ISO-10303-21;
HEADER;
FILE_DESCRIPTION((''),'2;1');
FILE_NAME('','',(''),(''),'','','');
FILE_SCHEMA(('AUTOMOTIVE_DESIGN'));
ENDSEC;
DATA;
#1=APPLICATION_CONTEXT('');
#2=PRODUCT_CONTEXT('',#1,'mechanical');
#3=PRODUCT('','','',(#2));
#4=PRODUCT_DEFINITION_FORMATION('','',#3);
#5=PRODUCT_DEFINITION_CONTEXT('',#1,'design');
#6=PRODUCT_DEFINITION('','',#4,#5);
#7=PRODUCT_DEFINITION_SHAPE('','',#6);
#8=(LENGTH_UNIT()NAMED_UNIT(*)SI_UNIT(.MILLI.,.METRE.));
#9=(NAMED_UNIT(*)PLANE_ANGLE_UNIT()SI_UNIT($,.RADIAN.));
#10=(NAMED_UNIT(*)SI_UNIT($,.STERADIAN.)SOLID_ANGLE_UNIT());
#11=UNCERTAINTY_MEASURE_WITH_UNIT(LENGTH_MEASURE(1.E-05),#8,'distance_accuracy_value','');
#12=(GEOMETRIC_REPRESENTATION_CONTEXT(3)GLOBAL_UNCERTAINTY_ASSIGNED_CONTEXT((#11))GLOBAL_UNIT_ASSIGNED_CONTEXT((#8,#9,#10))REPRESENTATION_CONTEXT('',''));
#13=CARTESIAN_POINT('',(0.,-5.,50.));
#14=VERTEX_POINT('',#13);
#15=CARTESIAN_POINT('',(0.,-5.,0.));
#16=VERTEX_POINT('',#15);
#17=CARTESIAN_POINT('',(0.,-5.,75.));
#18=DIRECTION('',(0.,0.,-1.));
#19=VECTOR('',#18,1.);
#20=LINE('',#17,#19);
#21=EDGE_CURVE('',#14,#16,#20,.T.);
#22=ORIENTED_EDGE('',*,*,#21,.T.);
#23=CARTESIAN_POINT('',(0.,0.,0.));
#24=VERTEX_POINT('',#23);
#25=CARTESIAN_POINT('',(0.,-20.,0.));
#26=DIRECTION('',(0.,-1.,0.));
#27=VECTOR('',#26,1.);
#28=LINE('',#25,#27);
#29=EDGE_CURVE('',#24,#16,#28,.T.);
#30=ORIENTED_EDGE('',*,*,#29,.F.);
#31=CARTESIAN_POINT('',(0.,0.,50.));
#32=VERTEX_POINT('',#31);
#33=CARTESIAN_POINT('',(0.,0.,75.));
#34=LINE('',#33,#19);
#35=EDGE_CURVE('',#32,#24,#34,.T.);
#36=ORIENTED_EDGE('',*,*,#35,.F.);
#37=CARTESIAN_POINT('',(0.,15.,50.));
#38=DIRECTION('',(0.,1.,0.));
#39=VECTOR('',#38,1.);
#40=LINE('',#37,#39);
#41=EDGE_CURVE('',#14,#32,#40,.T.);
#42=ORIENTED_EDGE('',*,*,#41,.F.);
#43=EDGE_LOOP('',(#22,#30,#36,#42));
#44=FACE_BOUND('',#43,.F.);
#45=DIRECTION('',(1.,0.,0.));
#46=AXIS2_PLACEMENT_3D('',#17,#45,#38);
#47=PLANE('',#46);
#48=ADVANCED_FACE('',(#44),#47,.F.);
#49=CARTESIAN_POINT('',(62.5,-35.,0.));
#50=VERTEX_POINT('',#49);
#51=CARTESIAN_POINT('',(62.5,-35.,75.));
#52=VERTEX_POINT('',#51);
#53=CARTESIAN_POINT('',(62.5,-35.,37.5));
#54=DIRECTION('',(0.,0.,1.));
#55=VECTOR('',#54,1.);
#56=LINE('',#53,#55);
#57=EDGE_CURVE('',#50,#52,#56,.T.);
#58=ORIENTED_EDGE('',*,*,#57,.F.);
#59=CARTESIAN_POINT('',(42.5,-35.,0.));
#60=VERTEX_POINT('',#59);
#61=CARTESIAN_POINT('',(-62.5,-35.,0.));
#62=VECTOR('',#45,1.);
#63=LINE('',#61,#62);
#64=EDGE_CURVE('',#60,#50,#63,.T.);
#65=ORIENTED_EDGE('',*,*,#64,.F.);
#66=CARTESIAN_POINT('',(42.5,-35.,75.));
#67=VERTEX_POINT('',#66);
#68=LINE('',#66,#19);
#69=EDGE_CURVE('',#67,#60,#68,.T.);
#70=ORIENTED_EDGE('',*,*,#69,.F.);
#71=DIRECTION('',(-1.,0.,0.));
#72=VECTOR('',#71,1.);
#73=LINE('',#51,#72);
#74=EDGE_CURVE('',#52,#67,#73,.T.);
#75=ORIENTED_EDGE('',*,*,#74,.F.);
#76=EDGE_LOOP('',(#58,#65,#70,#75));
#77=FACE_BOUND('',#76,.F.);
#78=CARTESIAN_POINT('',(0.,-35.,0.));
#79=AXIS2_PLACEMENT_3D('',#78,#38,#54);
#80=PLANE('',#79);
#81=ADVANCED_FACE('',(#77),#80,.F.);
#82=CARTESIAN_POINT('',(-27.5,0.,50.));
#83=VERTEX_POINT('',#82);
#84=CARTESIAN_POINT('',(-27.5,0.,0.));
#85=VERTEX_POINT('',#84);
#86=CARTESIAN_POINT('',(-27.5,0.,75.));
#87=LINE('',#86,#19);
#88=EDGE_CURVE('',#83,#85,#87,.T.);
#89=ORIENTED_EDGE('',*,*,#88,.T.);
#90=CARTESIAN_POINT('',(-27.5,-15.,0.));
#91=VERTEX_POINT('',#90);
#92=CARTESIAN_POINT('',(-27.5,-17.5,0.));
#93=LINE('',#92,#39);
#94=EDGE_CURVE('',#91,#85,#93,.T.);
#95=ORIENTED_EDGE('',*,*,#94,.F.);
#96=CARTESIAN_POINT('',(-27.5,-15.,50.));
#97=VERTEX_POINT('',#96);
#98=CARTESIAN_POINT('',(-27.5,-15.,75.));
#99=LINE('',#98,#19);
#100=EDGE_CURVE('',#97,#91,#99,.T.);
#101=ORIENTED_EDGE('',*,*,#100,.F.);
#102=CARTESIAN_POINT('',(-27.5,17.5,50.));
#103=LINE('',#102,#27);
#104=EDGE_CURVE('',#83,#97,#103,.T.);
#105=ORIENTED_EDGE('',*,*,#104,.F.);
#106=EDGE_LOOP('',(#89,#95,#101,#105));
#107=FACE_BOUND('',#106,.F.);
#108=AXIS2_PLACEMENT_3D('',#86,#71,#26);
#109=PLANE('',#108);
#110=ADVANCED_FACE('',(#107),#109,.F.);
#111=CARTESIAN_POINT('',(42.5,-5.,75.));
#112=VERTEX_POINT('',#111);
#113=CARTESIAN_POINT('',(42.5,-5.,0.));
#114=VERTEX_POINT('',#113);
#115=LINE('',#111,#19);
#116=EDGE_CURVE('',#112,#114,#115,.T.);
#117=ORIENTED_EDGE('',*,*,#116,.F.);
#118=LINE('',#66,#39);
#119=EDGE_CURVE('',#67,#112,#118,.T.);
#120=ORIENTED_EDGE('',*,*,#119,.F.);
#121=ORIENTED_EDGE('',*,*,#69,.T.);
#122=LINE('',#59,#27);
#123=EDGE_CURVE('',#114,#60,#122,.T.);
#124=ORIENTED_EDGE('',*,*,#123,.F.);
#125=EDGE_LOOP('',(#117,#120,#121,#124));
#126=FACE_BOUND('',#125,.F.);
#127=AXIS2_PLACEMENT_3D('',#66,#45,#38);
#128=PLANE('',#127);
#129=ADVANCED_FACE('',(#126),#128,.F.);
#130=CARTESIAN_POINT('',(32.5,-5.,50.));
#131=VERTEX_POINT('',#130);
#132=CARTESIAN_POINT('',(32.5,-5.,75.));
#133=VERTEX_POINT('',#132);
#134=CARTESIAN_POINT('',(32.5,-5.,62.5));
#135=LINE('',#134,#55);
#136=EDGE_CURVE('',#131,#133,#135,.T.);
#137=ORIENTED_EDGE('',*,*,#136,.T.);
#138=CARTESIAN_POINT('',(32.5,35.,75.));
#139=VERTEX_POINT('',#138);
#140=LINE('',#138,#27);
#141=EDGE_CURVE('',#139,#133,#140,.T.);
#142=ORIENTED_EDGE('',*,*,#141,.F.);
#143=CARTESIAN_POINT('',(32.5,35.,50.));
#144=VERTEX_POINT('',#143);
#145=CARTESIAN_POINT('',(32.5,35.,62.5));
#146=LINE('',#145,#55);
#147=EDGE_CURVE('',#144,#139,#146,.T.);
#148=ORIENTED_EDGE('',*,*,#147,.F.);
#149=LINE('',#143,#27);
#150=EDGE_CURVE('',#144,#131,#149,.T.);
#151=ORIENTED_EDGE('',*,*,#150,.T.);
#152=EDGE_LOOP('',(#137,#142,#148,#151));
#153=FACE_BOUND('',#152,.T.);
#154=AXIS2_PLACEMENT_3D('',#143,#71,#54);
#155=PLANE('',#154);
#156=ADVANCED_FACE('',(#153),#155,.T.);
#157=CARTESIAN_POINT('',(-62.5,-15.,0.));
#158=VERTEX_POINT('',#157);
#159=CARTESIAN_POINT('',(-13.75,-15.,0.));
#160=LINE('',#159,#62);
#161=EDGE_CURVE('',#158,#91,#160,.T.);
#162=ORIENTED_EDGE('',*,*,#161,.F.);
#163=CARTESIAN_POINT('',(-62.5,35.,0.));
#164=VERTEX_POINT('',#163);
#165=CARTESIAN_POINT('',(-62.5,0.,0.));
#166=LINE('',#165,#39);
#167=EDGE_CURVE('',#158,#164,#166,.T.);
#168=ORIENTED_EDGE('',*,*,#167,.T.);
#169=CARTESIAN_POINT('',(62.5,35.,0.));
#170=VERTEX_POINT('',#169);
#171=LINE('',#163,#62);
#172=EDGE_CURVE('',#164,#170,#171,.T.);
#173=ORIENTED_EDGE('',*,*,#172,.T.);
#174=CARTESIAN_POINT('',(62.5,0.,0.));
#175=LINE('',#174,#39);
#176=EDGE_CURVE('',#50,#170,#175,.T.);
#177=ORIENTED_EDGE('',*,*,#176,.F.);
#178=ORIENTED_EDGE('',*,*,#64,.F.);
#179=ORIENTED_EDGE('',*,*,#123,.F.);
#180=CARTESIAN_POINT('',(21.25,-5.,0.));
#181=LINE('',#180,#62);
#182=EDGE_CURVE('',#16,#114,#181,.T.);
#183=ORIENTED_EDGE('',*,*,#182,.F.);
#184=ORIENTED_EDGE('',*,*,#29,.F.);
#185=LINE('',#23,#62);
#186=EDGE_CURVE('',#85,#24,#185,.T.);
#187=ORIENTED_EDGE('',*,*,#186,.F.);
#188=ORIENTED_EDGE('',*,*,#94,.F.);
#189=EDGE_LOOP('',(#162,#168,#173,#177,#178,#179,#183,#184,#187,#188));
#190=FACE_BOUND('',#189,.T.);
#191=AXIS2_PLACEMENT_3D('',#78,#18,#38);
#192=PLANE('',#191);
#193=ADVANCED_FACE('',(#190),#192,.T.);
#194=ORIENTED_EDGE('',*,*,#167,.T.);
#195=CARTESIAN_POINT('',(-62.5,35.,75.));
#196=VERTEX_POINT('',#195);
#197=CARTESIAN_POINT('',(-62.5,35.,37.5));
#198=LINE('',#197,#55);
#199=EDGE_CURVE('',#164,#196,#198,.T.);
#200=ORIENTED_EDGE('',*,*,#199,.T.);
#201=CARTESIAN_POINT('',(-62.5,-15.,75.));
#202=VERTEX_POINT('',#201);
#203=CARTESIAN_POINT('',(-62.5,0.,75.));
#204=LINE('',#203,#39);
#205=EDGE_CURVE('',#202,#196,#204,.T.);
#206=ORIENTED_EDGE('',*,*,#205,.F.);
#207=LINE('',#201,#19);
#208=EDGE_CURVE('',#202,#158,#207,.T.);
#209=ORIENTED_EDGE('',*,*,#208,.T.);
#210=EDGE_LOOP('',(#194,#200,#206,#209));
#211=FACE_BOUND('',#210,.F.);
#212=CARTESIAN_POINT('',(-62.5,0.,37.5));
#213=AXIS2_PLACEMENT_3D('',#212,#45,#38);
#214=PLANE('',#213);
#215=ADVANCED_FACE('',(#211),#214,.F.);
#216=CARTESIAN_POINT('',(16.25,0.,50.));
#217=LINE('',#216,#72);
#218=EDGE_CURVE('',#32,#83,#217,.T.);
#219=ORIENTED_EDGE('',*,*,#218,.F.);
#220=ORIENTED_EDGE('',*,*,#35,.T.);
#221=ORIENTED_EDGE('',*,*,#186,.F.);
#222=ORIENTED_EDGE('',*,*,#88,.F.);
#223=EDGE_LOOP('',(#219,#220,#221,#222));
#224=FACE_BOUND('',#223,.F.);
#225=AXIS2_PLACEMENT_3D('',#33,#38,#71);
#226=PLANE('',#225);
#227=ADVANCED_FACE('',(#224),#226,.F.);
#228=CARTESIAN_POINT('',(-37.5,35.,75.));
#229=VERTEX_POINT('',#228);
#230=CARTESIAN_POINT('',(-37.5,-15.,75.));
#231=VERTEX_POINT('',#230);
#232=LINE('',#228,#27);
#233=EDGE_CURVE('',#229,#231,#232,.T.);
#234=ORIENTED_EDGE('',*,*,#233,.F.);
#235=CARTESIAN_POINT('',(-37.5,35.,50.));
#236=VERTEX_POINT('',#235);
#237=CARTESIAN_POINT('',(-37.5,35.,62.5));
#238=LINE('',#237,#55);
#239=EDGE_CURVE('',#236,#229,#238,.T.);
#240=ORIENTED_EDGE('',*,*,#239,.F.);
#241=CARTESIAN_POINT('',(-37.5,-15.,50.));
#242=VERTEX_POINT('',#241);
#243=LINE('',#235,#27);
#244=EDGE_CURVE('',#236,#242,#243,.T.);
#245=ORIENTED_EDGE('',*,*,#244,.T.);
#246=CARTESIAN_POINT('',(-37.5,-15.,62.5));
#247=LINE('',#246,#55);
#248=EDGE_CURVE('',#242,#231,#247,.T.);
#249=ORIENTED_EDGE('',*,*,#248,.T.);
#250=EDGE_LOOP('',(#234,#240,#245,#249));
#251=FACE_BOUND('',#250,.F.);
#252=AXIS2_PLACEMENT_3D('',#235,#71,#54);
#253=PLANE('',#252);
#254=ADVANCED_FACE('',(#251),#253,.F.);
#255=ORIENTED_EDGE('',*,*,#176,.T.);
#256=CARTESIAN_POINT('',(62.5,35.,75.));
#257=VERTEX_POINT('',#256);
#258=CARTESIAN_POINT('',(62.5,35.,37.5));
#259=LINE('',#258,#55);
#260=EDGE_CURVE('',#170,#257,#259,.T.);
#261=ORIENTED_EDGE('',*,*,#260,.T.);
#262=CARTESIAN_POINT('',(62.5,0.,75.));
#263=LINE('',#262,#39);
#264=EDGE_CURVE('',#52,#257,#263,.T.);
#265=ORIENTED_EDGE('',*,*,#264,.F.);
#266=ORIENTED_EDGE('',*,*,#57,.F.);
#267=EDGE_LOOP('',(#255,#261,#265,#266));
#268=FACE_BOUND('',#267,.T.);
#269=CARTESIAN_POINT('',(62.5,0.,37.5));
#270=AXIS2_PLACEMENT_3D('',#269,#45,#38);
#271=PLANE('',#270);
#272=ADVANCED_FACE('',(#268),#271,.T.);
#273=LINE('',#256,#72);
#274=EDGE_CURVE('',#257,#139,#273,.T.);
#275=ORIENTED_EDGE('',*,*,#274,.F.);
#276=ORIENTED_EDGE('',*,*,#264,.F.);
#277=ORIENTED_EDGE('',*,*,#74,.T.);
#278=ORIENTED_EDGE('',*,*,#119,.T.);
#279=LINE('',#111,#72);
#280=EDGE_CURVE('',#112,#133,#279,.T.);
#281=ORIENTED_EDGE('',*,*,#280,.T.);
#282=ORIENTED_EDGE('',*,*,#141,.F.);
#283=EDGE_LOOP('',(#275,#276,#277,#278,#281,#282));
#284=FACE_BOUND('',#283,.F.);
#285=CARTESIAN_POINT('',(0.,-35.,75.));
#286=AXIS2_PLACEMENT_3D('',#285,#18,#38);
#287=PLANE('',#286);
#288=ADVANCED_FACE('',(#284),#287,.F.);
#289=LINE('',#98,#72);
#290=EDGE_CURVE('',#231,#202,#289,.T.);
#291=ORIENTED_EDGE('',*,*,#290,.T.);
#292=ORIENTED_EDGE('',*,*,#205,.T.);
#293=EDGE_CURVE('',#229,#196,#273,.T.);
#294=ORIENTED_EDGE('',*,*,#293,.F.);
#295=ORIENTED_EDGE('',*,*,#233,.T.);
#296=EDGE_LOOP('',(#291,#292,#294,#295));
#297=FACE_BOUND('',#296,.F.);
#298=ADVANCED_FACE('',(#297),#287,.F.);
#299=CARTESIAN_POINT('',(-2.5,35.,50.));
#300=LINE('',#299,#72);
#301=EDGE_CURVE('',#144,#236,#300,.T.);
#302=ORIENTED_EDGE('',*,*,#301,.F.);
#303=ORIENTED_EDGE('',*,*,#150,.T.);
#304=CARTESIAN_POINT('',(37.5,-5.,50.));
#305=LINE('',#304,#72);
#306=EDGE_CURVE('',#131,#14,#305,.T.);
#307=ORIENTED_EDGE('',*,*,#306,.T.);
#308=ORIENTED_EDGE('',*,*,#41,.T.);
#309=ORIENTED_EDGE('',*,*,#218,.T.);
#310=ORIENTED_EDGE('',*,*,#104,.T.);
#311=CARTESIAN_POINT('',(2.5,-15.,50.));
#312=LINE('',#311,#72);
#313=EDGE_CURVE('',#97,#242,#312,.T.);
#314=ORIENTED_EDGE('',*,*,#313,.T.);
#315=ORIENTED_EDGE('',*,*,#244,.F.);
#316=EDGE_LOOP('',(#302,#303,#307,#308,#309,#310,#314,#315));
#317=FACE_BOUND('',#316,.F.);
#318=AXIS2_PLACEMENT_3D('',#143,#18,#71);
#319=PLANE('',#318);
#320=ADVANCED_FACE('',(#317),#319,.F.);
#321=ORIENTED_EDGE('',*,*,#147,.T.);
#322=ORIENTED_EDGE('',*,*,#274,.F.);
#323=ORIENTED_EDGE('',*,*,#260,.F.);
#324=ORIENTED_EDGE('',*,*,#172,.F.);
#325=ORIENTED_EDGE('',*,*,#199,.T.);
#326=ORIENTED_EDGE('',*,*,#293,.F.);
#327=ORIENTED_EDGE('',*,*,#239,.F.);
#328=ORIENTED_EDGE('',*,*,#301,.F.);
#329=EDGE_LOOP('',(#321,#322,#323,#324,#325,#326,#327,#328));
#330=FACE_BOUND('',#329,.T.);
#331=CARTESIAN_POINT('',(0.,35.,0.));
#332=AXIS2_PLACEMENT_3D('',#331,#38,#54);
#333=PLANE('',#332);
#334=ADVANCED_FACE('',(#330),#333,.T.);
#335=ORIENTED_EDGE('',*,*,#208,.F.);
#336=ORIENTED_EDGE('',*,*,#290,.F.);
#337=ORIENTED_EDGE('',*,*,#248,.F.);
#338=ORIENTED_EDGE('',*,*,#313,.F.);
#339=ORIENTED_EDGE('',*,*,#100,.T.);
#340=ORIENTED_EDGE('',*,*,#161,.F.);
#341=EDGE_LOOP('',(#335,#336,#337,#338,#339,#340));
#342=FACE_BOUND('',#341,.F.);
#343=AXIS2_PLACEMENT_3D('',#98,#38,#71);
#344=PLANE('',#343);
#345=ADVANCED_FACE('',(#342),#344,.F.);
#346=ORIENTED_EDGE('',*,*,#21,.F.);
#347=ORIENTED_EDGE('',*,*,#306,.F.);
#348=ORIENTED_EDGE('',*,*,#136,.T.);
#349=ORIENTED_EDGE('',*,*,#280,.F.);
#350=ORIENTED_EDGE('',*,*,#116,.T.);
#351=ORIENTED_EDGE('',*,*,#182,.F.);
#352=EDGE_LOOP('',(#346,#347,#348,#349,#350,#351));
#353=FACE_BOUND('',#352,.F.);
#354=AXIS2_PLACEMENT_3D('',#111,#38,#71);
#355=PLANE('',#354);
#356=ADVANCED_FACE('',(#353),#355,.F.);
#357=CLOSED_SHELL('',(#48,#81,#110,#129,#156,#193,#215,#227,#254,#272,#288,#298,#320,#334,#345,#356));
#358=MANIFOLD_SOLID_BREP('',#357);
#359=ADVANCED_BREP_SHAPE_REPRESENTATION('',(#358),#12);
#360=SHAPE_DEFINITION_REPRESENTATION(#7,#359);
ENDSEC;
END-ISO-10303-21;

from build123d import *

# Parameters (mm, degrees)
F0_W     = 70
F0_H     = 75
F1_DEPTH = 62.5
F3_DEPTH = 75.001
F4_W     = 70
F4_H     = 25
F5_DEPTH = 70.001


with BuildPart() as f1:
    # F0 (on Right) → F1 (new body, symmetric)
    with BuildSketch(Plane.YZ):
        with Locations((0, 37.5)):
            Rectangle(F0_W, F0_H)
    extrude(amount=F1_DEPTH, both=True)

    # F2 (on face) → F3 (cut, through all)
    with BuildSketch(Plane.XY.offset(75)):
        Polygon((-62.5, -15), (-62.5, -35), (42.5, -35), (42.5, -5), (0, -5), (0, 0), (-27.5, 0), (-27.5, -15), align=None)
    extrude(amount=-F3_DEPTH, mode=Mode.SUBTRACT)

    # F4 (on face) → F5 (cut, through all)
    with BuildSketch(Plane(origin=(0, 35, 0), x_dir=(-1, 0, 0), z_dir=(0, 1, 0))):
        with Locations((2.5, 62.5)):
            Rectangle(F4_W, F4_H)
    extrude(amount=-F5_DEPTH, mode=Mode.SUBTRACT)


solid = f1.part
